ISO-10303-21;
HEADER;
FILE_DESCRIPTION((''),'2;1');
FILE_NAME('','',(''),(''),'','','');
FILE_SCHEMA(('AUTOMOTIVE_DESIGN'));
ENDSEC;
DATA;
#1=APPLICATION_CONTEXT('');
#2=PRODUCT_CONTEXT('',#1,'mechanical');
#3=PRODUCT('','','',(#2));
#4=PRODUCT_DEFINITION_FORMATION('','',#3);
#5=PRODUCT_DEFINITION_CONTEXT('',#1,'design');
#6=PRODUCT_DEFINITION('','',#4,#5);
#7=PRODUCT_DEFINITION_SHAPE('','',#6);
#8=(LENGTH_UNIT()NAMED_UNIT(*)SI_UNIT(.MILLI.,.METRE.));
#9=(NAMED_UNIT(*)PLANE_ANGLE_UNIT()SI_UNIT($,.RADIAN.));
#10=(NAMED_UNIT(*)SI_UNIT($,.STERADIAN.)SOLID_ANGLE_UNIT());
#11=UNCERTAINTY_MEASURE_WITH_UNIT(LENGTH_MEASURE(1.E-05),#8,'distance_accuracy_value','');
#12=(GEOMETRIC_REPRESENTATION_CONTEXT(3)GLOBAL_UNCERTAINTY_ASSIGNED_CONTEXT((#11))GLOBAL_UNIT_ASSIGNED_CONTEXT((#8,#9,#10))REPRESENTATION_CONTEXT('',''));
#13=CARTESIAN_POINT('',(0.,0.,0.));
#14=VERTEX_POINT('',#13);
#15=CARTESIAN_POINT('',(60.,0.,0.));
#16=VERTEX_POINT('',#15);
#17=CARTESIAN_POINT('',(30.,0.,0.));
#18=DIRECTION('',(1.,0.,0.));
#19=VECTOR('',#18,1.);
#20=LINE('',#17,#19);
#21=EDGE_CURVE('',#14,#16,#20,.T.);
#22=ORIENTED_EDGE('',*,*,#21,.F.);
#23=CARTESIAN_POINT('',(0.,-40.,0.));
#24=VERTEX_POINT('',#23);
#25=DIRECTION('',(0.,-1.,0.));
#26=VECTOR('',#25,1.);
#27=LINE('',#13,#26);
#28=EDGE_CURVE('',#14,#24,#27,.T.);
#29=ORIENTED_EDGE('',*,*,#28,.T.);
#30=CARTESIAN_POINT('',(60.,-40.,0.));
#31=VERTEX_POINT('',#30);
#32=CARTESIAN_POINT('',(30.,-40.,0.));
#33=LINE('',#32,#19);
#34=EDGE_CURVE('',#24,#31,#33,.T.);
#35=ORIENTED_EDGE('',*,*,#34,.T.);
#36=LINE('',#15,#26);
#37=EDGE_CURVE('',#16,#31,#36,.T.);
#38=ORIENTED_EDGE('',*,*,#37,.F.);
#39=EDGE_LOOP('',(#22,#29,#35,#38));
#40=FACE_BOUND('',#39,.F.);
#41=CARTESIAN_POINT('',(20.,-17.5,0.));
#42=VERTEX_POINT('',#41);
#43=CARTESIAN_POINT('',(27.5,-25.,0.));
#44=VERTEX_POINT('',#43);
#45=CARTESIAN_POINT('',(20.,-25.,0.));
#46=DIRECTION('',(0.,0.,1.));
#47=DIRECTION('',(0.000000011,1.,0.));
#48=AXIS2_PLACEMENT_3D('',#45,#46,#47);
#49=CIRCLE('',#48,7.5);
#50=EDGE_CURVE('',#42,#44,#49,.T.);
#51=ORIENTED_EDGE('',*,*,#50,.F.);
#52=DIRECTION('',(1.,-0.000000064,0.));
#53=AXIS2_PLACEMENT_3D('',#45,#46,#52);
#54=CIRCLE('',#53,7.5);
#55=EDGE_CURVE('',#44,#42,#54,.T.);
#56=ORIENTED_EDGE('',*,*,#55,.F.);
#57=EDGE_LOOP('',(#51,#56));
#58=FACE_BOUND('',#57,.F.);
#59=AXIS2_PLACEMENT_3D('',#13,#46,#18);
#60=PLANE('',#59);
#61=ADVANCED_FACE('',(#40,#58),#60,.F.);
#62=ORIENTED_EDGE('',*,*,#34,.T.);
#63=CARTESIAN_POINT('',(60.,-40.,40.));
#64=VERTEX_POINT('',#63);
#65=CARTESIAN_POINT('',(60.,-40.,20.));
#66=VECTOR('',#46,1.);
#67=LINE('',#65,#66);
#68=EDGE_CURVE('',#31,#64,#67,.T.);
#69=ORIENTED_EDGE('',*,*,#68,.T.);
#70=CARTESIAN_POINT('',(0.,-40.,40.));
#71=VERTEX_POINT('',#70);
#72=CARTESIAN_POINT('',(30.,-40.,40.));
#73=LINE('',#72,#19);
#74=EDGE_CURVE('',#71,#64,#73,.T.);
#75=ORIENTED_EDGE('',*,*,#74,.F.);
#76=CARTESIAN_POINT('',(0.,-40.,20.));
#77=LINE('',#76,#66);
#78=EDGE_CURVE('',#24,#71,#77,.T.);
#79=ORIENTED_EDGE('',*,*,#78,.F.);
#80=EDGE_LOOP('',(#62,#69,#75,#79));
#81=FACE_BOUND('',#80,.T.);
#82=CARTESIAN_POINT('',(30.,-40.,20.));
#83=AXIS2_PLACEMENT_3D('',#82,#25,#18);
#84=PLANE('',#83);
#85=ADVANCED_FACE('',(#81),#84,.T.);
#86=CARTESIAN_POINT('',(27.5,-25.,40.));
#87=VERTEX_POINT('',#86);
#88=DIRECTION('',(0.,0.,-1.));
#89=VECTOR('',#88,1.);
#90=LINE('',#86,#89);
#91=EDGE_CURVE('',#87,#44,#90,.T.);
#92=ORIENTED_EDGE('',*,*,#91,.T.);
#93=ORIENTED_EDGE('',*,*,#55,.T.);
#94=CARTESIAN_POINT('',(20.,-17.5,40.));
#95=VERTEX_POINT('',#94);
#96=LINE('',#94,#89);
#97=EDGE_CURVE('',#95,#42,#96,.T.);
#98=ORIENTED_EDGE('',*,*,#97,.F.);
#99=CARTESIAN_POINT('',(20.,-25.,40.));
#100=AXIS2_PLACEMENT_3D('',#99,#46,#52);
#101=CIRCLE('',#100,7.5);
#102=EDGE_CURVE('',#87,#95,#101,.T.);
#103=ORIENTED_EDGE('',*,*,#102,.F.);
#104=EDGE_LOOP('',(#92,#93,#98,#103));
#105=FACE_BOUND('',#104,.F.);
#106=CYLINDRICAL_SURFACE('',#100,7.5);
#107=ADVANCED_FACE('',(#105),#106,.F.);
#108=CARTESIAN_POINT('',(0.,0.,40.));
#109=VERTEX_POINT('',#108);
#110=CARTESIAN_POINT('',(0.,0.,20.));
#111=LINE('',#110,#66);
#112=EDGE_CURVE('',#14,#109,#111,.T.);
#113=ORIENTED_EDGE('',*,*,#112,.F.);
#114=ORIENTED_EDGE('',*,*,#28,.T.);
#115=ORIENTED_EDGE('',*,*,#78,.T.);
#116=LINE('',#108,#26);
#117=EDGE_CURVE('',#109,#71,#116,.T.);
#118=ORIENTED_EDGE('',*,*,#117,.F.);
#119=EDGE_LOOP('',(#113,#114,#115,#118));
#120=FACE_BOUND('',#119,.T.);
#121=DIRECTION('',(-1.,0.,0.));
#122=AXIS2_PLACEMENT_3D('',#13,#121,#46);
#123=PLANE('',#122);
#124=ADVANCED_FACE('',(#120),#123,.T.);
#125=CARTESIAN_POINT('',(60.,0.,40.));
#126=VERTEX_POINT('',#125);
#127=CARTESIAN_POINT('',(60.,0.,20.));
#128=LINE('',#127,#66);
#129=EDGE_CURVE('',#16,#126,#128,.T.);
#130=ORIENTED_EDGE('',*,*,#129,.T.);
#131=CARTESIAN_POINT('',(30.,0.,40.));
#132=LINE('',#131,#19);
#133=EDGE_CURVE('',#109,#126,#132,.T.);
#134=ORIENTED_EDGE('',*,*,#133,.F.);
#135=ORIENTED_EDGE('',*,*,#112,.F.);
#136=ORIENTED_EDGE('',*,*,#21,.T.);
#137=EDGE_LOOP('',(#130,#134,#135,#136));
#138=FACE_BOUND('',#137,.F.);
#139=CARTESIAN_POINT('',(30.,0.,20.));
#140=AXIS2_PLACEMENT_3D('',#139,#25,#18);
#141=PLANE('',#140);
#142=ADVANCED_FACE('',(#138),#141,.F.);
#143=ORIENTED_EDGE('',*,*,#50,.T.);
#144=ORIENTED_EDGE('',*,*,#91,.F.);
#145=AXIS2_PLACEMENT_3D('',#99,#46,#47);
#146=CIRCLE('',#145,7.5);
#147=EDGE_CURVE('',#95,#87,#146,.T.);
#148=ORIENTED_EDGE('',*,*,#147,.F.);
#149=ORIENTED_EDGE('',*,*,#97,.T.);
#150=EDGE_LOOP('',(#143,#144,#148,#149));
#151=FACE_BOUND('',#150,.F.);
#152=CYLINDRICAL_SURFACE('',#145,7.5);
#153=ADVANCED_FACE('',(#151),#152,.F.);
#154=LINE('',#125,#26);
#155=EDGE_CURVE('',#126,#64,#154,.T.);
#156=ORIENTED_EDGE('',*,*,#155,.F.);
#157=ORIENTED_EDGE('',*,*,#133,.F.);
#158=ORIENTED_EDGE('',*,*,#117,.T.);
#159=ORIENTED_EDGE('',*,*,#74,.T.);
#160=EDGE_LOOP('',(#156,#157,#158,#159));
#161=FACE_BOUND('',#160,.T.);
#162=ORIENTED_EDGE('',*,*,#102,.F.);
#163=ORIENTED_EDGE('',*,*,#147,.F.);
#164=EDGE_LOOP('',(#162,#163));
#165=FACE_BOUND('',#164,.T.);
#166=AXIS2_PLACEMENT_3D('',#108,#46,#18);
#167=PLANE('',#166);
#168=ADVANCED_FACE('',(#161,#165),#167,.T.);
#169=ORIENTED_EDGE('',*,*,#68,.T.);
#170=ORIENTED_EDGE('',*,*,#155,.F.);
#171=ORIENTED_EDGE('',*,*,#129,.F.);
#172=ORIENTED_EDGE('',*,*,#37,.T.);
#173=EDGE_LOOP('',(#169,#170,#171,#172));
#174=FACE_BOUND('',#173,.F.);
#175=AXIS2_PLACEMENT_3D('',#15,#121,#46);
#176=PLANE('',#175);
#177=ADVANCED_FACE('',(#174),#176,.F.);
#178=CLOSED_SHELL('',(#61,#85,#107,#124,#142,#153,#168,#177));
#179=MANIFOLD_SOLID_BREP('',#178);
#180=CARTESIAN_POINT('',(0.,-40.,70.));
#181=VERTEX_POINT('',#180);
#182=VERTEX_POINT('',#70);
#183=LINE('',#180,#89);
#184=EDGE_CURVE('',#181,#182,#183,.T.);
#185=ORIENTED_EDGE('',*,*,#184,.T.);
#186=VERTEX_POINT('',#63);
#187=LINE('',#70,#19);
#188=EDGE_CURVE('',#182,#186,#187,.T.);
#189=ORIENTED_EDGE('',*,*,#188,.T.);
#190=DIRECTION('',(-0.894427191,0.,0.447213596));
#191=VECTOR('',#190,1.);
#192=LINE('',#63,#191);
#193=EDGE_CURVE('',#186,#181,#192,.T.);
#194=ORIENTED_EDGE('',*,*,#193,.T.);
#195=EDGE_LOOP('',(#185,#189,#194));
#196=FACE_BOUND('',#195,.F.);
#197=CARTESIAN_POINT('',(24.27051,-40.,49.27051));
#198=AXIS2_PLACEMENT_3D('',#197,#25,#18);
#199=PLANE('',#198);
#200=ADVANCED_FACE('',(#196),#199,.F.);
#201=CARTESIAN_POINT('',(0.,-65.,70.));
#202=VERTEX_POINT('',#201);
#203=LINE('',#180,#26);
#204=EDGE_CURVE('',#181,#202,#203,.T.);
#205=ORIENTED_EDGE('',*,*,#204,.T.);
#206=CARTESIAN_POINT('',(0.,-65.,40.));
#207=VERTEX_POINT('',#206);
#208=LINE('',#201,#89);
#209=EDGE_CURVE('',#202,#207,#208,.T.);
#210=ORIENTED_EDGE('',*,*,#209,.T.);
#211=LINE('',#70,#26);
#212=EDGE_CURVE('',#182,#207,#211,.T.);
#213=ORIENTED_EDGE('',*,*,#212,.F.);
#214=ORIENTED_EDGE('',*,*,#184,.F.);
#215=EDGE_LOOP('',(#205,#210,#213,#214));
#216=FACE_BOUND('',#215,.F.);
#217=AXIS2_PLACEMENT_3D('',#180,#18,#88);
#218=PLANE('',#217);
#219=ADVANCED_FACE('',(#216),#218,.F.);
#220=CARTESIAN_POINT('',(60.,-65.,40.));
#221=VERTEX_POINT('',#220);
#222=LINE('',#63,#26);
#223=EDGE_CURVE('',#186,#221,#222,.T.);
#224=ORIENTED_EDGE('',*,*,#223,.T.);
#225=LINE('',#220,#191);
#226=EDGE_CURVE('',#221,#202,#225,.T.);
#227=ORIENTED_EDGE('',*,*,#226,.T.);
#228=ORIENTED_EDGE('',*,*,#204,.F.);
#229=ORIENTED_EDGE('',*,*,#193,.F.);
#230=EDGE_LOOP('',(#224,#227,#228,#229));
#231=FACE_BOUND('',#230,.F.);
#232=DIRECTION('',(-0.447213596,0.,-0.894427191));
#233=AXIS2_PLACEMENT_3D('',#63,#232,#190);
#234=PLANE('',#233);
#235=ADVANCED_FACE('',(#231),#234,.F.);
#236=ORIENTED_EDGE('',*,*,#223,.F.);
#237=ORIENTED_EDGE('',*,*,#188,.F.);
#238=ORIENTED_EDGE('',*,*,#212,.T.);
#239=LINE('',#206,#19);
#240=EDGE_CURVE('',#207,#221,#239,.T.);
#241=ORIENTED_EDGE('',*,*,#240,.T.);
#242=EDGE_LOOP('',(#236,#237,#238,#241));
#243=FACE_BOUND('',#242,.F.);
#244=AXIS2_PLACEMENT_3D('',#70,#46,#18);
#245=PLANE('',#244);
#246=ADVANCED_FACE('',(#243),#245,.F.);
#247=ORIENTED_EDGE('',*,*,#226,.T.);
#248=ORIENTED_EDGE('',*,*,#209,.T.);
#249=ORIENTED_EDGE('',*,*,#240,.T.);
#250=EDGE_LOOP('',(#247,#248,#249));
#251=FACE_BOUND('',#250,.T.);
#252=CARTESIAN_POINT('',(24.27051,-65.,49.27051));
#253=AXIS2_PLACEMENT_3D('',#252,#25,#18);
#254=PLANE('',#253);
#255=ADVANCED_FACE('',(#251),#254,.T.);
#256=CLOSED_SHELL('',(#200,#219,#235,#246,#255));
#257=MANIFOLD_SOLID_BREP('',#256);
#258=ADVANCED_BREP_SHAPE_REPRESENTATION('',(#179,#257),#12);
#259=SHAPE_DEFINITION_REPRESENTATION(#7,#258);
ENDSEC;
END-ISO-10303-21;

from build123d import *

# Parameters (mm, degrees)
F0_W     = 60
F0_H     = 40
F1_DEPTH = 40
F3_DEPTH = 40
F5_DEPTH = 25


with BuildPart() as f1:
    # F0 (on Front) → F1 (new body)
    with BuildSketch(Plane.XZ):
        with Locations((30, 20)):
            Rectangle(F0_W, F0_H)
    extrude(amount=F1_DEPTH)

    # F2 (on face) → F3 (cut, through all)
    with BuildSketch(Plane.XY.offset(40)):
        with BuildLine():
            ThreePointArc((27.5, -25), (25.303301, -19.696699), (20, -17.5))
            ThreePointArc((20, -17.5), (14.696699, -30.303301), (27.5, -25))
        make_face()
    extrude(amount=-F3_DEPTH, mode=Mode.SUBTRACT)


with BuildPart() as f5:
    # F4 (on face) → F5 (new body)
    with BuildSketch(Plane.XZ.offset(40)):
        Polygon((0, 70), (0, 40), (60, 40), align=None)
    extrude(amount=F5_DEPTH)


solid = Compound([f1.part, f5.part])
